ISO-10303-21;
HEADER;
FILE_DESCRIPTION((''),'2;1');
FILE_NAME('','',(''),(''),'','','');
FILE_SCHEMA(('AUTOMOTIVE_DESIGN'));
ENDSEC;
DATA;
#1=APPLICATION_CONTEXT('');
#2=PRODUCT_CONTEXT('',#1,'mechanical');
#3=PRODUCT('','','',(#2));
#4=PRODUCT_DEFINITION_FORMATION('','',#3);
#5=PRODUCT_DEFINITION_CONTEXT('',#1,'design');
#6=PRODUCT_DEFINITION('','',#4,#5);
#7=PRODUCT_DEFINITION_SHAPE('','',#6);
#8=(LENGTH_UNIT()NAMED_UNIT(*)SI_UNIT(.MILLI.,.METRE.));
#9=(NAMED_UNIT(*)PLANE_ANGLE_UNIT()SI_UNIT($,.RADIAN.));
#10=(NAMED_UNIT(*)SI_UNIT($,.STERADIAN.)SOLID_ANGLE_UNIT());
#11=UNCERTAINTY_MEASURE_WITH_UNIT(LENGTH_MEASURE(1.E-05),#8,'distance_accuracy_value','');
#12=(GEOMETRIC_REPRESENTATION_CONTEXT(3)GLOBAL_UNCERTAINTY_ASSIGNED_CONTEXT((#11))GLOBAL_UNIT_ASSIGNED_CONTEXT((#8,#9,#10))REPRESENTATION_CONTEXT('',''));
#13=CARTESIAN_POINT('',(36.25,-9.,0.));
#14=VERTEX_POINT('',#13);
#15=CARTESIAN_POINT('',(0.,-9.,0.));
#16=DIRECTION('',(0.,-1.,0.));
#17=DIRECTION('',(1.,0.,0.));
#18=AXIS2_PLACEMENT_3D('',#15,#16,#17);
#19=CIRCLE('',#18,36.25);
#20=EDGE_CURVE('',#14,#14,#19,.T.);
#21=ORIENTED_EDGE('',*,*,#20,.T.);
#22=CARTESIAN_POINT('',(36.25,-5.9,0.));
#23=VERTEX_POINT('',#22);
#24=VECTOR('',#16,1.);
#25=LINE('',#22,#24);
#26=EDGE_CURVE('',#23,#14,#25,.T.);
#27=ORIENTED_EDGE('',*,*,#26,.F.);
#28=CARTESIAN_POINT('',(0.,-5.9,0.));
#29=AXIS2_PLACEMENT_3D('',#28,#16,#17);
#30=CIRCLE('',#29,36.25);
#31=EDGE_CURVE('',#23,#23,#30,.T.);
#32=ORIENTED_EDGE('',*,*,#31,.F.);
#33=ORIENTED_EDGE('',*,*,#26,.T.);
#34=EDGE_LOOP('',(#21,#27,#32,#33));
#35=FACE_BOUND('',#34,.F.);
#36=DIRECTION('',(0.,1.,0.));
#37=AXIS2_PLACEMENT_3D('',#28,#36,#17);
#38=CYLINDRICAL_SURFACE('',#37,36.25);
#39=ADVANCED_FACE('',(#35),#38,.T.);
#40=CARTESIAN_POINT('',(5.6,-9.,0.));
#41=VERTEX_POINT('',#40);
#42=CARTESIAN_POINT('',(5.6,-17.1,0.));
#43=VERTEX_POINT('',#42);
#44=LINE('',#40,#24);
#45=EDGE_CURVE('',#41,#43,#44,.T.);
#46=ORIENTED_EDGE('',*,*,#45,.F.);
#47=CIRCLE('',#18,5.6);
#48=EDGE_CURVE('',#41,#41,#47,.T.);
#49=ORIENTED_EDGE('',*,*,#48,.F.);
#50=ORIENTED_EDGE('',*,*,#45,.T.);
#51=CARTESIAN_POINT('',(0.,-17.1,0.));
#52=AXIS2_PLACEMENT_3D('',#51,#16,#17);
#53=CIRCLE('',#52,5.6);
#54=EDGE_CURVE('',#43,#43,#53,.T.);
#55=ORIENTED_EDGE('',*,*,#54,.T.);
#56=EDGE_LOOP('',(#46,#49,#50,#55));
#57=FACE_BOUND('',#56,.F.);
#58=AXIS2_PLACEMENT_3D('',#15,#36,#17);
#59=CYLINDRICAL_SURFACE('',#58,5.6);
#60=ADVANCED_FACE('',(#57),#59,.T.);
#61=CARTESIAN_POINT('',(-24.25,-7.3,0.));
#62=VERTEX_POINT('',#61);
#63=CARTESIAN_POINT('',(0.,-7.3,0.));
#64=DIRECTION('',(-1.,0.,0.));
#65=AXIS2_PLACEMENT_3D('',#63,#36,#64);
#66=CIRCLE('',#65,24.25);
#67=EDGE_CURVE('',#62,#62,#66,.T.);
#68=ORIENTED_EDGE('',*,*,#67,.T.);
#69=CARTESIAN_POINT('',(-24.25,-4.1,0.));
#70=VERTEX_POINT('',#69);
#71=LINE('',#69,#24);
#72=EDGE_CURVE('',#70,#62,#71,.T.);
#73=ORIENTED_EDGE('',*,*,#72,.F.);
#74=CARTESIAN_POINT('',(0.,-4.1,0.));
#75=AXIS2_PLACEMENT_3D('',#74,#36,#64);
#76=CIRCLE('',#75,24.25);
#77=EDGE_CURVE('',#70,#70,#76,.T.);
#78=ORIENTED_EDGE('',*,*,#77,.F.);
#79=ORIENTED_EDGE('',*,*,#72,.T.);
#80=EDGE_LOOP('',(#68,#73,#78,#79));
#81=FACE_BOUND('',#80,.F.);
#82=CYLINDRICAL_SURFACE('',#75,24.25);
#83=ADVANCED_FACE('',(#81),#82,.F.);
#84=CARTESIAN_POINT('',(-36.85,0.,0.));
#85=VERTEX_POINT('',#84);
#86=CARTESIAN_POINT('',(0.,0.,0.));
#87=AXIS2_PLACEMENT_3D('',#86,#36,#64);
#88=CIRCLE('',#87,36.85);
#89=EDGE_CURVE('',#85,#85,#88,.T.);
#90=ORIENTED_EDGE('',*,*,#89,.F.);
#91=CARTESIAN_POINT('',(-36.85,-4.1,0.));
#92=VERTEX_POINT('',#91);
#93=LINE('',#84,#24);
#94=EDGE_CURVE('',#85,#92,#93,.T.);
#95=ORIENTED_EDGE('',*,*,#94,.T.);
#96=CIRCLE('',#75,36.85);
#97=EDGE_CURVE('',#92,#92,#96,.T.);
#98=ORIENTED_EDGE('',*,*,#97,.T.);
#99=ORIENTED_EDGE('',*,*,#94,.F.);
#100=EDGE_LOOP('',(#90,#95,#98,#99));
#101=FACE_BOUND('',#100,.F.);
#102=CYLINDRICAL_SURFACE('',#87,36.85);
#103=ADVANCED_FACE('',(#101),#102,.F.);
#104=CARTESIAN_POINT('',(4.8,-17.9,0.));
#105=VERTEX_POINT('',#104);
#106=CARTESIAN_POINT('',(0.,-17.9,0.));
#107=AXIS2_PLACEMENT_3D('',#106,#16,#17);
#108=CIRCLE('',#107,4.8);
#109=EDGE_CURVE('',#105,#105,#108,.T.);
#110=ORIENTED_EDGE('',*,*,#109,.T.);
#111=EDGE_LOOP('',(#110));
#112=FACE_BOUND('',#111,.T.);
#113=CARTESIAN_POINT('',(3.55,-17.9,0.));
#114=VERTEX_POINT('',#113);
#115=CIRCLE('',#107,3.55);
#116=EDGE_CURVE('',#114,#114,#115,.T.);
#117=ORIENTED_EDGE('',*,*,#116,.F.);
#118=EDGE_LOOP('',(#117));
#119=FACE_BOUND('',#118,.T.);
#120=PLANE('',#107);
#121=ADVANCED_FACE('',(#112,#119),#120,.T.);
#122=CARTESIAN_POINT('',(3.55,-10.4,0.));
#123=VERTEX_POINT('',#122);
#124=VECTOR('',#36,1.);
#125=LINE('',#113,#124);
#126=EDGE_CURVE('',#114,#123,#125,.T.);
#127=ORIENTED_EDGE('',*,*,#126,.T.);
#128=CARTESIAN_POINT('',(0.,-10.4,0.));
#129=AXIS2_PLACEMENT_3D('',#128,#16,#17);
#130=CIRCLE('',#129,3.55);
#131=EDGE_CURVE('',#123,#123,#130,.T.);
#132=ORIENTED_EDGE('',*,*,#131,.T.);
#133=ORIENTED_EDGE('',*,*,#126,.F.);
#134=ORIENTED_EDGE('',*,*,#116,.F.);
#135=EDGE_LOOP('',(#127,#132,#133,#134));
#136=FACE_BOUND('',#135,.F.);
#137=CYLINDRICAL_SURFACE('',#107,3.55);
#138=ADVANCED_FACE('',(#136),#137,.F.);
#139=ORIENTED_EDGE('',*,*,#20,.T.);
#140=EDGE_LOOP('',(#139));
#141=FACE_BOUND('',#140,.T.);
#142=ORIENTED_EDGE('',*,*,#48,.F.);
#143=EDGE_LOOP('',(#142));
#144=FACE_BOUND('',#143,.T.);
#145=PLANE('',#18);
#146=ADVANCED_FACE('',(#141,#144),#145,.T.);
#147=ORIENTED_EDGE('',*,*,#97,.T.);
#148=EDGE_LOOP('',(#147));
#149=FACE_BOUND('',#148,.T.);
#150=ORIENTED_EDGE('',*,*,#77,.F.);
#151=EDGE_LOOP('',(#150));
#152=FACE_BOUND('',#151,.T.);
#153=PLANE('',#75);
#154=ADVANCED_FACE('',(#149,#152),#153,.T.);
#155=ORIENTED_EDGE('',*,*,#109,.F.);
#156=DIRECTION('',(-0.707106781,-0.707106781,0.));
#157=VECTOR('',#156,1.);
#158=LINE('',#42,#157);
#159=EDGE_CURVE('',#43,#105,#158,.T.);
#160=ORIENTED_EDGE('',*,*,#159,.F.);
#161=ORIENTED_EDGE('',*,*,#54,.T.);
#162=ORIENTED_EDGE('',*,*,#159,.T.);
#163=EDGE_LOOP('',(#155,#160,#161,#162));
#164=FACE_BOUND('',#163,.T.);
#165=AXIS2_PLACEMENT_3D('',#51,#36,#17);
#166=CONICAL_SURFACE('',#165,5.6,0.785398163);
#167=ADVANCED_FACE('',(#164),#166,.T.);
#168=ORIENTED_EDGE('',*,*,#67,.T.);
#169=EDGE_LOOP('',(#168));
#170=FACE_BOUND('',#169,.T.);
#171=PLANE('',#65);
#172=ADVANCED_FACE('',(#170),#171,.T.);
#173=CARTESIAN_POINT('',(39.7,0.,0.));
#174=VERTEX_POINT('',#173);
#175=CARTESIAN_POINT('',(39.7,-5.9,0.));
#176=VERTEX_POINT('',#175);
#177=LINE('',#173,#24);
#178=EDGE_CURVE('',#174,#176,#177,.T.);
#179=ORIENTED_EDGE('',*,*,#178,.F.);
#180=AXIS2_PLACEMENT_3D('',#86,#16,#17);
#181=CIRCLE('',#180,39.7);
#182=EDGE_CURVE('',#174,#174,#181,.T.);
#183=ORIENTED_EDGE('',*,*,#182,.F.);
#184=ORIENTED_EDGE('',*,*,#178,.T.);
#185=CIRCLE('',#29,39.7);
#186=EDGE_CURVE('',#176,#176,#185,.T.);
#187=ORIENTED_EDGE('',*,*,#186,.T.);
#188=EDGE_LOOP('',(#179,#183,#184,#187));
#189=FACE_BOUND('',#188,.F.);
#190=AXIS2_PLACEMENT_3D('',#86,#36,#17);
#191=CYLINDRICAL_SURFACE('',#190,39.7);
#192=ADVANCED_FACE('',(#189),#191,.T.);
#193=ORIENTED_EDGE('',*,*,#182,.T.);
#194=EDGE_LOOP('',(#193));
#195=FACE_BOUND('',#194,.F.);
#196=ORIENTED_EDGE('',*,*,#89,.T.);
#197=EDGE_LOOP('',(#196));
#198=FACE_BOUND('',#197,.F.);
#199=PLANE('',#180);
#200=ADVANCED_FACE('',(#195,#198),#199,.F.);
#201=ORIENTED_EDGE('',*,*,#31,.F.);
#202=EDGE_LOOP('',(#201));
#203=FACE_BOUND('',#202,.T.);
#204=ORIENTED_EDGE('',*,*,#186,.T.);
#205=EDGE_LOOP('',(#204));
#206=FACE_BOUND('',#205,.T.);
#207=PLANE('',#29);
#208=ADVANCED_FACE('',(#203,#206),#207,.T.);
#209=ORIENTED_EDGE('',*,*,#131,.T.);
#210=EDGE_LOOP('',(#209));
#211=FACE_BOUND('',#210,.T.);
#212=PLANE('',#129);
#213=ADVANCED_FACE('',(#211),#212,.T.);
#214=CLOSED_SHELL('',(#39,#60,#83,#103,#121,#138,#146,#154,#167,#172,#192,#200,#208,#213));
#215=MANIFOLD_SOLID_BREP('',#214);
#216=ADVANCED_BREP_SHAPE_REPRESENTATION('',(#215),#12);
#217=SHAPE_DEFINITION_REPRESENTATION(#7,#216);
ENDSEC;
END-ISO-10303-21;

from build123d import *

# Parameters (mm, degrees)
F0_R      = 39.7
F1_DEPTH  = 5.9
F2_R      = 36.25
F3_DEPTH  = 3.1
F4_R      = 5.6
F5_DEPTH  = 8.9
F6_R      = 36.85
F7_DEPTH  = 4.1
F8_R      = 24.25
F9_DEPTH  = 3.2
F10_R     = 3.55
F11_DEPTH = 7.5
F12_SIZE  = 0.8


with BuildPart() as f1:
    # F0 (on Front) → F1 (new body)
    with BuildSketch(Plane.XZ):
        Circle(F0_R)
    extrude(amount=F1_DEPTH)

    # F2 (on face) → F3 (join)
    with BuildSketch(Plane.XZ.offset(5.9)):
        Circle(F2_R)
    extrude(amount=F3_DEPTH)

    # F4 (on face) → F5 (join)
    with BuildSketch(Plane.XZ.offset(9)):
        Circle(F4_R)
    extrude(amount=F5_DEPTH)

    # F6 (on face) → F7 (cut)
    with BuildSketch(Plane(origin=(0, 0, 0), x_dir=(-1, 0, 0), z_dir=(0, 1, 0))):
        Circle(F6_R)
    extrude(amount=-F7_DEPTH, mode=Mode.SUBTRACT)

    # F8 (on face) → F9 (cut)
    with BuildSketch(Plane(origin=(0, -4.1, 0), x_dir=(-1, 0, 0), z_dir=(0, 1, 0))):
        Circle(F8_R)
    extrude(amount=-F9_DEPTH, mode=Mode.SUBTRACT)

    # F10 (on face) → F11 (cut)
    with BuildSketch(Plane.XZ.offset(17.9)):
        Circle(F10_R)
    extrude(amount=-F11_DEPTH, mode=Mode.SUBTRACT)

    # F12
    f12_edges = [f1.edges().sort_by_distance(p)[0] for p in [
        (-5.6, -17.9, 0),
    ]]
    chamfer(f12_edges, length=F12_SIZE)


solid = f1.part
